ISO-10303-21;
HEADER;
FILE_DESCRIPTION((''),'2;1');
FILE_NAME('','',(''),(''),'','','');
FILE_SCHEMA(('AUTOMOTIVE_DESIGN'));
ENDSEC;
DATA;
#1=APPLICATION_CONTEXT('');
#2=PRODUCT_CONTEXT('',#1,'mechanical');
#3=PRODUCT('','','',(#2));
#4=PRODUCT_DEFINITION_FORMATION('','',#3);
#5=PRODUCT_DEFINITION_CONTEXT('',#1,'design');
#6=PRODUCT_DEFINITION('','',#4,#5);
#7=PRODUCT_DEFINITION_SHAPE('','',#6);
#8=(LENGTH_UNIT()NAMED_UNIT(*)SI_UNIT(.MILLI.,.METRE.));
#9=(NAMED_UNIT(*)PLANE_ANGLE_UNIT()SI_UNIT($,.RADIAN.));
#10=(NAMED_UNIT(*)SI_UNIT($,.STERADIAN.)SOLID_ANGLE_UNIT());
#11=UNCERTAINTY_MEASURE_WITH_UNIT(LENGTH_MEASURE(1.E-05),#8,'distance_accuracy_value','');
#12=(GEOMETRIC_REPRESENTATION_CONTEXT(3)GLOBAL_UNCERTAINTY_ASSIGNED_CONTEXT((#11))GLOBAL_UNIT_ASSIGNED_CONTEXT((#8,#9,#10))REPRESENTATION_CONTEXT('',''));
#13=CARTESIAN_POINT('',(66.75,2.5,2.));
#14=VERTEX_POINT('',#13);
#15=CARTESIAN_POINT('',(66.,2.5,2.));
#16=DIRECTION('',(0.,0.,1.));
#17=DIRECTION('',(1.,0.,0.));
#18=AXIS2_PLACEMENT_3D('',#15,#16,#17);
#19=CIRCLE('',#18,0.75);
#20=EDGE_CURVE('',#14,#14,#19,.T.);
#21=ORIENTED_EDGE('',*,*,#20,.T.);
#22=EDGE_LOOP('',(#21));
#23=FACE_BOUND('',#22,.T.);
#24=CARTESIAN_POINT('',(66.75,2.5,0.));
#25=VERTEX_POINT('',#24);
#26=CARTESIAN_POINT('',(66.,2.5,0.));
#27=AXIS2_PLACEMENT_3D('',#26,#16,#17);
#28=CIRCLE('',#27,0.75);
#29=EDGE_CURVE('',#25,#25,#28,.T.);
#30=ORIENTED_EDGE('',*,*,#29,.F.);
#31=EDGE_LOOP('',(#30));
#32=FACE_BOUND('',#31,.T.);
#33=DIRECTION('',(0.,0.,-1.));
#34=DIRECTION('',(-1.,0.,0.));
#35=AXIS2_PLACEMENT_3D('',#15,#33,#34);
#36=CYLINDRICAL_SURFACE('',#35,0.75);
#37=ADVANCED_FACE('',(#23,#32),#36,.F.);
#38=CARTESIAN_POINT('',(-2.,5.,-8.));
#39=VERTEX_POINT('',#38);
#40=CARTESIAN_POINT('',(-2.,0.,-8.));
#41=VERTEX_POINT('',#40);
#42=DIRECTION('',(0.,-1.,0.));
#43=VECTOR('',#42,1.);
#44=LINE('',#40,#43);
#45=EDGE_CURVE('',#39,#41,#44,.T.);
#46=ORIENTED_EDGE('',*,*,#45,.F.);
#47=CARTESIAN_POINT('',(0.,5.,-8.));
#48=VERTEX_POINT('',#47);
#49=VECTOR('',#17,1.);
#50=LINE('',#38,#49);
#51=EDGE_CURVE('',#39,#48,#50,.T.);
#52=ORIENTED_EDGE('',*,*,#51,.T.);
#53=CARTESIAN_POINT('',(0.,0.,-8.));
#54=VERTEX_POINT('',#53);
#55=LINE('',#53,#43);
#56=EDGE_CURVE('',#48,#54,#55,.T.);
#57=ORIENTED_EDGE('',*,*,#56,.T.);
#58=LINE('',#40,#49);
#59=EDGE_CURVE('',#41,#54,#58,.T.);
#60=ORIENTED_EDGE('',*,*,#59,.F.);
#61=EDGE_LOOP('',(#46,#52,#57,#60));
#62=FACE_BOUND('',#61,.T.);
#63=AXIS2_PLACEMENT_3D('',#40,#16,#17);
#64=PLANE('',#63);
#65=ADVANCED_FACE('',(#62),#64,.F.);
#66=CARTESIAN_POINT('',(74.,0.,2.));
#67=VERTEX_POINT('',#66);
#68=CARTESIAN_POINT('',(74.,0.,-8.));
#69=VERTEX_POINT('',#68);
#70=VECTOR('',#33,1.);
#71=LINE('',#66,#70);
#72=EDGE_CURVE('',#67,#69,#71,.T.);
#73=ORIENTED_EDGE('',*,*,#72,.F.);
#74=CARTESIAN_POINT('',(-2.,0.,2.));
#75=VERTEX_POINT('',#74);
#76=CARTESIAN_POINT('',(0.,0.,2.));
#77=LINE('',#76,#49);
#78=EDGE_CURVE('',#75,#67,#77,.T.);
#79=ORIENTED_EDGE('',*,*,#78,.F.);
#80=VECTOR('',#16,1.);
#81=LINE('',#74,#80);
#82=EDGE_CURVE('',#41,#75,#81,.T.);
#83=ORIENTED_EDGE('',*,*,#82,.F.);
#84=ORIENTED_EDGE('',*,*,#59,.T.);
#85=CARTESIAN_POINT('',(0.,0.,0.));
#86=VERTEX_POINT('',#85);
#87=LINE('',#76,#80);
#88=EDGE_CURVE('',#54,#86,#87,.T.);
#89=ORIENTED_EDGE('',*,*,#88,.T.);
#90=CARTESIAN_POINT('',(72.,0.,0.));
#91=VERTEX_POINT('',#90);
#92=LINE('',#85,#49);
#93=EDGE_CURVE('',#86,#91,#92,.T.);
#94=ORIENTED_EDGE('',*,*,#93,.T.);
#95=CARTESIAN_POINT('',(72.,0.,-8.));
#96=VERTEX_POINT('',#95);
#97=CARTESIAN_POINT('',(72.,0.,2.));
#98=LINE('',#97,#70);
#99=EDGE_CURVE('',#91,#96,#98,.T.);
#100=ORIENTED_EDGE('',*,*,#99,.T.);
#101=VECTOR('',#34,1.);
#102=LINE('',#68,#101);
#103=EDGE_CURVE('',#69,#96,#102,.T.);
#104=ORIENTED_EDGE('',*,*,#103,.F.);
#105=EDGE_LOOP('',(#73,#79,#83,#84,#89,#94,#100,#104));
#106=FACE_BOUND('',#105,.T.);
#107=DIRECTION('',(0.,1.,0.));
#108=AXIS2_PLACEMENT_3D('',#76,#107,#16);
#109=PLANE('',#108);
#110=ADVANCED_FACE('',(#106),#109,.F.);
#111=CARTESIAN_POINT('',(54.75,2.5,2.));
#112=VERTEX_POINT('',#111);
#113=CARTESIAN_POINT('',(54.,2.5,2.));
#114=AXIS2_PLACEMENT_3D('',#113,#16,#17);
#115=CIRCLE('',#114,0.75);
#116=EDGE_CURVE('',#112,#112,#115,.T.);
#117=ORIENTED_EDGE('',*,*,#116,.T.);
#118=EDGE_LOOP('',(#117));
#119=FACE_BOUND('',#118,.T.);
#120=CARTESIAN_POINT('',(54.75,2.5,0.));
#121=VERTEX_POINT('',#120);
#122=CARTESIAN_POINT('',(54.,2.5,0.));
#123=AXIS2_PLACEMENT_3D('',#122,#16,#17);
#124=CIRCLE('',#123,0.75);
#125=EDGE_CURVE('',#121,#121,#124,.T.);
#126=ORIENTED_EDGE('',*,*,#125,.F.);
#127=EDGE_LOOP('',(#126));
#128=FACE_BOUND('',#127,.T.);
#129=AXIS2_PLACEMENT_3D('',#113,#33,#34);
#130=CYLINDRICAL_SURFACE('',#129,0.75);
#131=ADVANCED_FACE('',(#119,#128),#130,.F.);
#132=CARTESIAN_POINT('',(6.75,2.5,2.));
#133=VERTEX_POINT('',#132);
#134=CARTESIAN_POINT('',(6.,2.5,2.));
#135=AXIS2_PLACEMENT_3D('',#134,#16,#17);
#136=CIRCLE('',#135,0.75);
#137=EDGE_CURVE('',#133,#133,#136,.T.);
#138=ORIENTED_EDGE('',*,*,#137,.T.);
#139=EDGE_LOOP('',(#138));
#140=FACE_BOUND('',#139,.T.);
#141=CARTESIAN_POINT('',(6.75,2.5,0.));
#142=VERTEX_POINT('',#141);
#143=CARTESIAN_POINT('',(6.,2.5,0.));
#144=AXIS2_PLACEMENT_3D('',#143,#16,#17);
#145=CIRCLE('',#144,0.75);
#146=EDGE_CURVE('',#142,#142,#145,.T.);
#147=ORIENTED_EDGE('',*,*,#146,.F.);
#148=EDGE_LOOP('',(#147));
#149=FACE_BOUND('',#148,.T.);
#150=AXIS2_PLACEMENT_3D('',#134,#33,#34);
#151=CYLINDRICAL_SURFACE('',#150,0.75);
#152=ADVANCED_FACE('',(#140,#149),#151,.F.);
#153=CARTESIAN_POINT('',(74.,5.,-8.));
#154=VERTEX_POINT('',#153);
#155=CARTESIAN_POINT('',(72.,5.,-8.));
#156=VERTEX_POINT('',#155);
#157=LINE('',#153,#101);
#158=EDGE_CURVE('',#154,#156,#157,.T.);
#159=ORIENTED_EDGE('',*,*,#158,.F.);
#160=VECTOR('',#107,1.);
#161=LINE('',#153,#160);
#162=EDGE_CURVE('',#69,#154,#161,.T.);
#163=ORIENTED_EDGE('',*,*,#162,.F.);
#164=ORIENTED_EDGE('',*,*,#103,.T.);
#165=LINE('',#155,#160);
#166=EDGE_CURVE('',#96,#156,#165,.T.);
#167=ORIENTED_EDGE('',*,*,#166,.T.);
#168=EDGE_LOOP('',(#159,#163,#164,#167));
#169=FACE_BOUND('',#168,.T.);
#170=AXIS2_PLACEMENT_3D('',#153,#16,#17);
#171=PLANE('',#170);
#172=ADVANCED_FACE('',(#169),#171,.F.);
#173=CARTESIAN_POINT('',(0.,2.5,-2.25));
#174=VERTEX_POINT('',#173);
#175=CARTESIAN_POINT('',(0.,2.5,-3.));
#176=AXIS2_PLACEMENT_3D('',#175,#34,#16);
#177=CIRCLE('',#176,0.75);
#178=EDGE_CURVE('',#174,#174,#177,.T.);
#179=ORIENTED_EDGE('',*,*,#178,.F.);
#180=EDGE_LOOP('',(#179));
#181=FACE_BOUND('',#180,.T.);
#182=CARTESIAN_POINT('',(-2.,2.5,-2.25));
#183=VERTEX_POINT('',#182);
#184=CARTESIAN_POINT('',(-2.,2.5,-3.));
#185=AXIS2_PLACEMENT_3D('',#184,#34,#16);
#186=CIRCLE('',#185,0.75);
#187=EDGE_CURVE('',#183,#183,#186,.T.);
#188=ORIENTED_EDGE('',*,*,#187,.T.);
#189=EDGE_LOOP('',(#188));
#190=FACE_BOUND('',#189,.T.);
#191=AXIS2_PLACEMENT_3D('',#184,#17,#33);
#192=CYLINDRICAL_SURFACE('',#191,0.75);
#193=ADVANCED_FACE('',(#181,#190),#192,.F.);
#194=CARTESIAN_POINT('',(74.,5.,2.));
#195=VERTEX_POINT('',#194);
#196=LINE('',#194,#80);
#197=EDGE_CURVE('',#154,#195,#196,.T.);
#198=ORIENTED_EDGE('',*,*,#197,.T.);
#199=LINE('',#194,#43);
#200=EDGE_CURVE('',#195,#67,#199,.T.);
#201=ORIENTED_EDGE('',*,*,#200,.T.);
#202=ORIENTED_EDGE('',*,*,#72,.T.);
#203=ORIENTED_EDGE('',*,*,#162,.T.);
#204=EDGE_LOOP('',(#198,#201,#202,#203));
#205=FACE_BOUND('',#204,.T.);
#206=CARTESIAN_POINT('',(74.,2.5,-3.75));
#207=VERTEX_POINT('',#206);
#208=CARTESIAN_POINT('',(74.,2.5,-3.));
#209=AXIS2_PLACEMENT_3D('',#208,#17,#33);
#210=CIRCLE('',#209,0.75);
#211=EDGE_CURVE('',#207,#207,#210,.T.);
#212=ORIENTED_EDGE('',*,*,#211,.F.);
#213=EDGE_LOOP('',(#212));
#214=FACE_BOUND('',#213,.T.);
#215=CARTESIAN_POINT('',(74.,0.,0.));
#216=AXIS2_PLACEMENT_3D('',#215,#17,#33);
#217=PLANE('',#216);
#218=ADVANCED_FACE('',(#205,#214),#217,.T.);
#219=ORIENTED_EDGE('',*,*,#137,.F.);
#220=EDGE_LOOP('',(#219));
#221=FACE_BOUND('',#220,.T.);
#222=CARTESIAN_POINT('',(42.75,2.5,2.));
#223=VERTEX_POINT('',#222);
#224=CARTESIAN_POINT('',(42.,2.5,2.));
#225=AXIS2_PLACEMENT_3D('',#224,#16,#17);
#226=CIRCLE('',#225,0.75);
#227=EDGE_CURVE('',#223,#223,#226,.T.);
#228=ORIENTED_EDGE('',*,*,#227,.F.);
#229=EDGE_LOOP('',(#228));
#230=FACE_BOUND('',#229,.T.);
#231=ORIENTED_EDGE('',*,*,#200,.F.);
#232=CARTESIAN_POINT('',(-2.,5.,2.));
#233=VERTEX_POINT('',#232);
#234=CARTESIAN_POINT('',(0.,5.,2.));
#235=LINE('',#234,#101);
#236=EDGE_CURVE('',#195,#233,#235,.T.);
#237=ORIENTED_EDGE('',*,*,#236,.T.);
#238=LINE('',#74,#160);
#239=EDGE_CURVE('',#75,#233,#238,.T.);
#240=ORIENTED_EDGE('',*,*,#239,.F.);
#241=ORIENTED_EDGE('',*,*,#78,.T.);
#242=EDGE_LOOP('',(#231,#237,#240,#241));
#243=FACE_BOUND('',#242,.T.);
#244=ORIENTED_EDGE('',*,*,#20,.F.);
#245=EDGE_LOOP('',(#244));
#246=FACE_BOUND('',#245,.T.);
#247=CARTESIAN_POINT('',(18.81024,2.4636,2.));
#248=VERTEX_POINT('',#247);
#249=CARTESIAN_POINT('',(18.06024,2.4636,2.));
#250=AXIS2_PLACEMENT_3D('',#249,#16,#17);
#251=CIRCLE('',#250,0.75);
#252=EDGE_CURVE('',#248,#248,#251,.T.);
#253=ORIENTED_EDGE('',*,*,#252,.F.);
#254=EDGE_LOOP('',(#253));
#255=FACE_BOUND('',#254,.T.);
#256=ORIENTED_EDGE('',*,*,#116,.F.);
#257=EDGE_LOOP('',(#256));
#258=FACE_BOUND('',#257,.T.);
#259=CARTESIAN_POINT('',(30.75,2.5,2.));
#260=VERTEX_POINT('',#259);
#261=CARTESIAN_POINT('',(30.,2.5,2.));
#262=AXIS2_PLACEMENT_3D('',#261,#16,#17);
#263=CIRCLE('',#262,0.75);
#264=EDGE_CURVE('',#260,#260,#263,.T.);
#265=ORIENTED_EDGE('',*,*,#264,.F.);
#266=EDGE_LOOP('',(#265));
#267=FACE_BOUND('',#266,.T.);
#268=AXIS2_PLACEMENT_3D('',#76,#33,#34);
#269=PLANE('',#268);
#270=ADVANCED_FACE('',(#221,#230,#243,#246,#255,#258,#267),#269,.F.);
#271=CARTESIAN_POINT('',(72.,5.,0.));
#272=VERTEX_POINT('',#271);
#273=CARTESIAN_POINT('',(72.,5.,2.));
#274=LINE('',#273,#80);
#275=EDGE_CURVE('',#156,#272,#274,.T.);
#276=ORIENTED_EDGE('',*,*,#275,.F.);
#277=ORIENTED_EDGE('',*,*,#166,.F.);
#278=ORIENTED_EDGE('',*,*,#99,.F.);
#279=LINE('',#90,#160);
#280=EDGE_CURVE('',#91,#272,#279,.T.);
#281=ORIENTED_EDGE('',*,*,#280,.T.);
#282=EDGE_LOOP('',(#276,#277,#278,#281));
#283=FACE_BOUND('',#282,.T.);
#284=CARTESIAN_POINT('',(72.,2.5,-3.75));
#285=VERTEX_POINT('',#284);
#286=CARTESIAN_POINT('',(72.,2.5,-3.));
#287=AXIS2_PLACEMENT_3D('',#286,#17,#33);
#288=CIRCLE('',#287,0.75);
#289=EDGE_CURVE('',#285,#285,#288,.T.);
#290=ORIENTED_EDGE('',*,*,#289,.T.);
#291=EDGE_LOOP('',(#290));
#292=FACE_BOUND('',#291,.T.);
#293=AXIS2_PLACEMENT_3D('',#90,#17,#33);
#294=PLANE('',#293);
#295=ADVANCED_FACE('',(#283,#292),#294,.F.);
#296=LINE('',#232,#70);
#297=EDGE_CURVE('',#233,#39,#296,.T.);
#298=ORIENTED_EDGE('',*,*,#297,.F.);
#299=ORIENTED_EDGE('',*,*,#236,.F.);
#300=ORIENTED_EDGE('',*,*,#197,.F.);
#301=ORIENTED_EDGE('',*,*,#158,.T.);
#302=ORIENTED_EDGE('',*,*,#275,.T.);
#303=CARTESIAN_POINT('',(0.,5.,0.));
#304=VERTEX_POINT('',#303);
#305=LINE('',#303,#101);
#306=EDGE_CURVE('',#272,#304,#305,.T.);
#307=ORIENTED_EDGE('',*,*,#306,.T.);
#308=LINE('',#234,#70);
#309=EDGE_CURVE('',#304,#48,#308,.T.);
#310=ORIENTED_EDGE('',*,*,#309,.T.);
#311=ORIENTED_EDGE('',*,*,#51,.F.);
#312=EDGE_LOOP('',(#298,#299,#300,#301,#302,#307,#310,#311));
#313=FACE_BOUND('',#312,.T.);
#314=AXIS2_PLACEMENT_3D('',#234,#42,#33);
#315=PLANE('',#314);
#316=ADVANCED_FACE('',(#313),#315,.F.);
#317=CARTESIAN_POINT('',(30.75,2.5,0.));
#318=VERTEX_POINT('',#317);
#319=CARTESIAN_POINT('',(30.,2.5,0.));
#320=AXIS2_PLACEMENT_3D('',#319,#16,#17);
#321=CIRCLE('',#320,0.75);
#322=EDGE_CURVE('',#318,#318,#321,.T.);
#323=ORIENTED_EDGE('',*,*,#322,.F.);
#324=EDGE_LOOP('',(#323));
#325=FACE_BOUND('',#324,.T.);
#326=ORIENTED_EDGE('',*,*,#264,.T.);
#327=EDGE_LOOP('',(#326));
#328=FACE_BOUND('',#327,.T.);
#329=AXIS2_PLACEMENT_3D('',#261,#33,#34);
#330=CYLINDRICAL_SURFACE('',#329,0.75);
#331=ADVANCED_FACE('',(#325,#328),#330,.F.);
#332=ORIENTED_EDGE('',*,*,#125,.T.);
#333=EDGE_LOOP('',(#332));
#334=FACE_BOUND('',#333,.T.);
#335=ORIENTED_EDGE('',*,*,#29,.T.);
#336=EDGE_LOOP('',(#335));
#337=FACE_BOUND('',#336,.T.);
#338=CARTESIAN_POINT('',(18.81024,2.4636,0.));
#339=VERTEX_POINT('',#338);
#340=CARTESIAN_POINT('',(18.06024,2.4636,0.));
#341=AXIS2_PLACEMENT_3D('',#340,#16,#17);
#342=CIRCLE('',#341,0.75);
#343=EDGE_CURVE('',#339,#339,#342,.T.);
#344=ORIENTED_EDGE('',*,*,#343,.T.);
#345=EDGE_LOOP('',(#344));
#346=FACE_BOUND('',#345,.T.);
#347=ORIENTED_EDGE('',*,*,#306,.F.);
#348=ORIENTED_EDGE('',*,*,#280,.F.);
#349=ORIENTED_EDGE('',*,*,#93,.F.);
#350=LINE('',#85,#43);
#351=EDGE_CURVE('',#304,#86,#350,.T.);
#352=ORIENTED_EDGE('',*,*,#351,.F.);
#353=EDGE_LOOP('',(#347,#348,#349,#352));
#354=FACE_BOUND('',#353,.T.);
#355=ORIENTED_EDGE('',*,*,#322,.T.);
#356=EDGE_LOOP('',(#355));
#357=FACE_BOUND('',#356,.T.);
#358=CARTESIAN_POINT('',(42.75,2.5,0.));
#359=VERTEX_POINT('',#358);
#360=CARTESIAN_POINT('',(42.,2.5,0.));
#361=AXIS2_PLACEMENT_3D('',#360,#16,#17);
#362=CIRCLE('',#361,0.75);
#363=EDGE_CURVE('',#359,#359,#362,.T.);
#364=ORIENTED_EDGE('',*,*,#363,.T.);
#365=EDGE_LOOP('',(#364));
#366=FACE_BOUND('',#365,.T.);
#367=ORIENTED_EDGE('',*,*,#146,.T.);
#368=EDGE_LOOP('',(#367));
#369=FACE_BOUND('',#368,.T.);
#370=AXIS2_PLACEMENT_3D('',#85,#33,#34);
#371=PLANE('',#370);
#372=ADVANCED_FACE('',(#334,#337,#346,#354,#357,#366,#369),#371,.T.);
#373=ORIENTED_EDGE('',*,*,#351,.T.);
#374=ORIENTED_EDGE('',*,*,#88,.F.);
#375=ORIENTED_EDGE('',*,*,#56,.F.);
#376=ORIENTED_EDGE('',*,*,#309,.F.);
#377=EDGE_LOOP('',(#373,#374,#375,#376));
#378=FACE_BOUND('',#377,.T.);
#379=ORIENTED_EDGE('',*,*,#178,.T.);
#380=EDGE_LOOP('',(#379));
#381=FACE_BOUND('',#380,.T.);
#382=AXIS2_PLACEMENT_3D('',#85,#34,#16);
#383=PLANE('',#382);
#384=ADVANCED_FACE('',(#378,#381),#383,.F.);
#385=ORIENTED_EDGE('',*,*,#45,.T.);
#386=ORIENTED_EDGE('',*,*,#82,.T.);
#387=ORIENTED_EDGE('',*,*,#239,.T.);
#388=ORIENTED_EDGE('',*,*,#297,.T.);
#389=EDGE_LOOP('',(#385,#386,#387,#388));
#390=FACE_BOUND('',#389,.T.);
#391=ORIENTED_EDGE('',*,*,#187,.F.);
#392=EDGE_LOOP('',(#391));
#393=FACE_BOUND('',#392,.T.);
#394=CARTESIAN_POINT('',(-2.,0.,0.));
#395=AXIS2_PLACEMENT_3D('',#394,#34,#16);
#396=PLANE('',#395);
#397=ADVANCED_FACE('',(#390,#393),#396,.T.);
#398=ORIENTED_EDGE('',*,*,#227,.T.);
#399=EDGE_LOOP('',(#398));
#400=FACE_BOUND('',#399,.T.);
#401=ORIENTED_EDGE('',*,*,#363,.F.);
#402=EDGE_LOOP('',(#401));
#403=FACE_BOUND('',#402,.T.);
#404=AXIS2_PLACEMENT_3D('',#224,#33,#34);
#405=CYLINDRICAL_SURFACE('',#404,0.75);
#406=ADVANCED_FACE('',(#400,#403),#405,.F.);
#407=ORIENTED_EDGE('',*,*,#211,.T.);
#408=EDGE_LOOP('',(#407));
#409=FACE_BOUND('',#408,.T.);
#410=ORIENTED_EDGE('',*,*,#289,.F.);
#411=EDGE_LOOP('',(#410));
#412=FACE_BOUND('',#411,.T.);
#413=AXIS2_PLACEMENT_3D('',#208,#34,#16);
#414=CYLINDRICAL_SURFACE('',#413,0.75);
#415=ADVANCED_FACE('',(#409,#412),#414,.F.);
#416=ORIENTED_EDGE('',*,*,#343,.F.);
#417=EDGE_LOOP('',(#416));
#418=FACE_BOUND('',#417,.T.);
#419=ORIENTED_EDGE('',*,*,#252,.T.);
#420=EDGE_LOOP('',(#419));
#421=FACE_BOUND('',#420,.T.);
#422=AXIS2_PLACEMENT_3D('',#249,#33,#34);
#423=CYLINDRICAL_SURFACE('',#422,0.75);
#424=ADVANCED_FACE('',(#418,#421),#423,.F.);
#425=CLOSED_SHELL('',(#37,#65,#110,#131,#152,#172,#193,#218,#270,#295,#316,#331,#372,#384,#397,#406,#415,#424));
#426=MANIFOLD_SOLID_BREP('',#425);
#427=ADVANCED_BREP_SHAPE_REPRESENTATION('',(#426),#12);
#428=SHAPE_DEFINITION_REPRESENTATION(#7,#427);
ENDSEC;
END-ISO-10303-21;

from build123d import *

# Parameters (mm, degrees)
SKETCH1_W           = 72
SKETCH1_H           = 5
BOSS_EXTRUDE1_DEPTH = 2
SKETCH3_R           = 0.75
CUT_EXTRUDE2_DEPTH  = 2
SKETCH4_W           = 10
SKETCH4_H           = 5
BOSS_EXTRUDE2_DEPTH = 2
SKETCH5_R           = 0.75
CUT_EXTRUDE4_DEPTH  = 2
SKETCH6_W           = 10
SKETCH6_H           = 5
BOSS_EXTRUDE3_DEPTH = 2
SKETCH7_R           = 0.75
CUT_EXTRUDE5_DEPTH  = 2


with BuildPart() as part:
    # Sketch1 → Boss-Extrude1 (new body)
    with BuildSketch(Plane.XY):
        with Locations((36, 2.5)):
            Rectangle(SKETCH1_W, SKETCH1_H)
    extrude(amount=BOSS_EXTRUDE1_DEPTH)

    # Sketch3 → Cut-Extrude2 (cut)
    with BuildSketch(Plane.XY):
        with Locations((42, 2.5)):
            Circle(SKETCH3_R)
        with Locations((54, 2.5)):
            Circle(SKETCH3_R)
        with Locations((66, 2.5)):
            Circle(SKETCH3_R)
        with Locations((30, 2.5)):
            Circle(SKETCH3_R)
        with Locations((18.06024044, 2.463599586)):
            Circle(SKETCH3_R)
        with Locations((6, 2.5)):
            Circle(SKETCH3_R)
    extrude(amount=CUT_EXTRUDE2_DEPTH, mode=Mode.SUBTRACT)

    # Sketch4 → Boss-Extrude2 (add)
    with BuildSketch(Plane(origin=(72, 0, 0), x_dir=(0, 0, -1), z_dir=(1, 0, 0))):
        with Locations((3, 2.5)):
            Rectangle(SKETCH4_W, SKETCH4_H)
    extrude(amount=BOSS_EXTRUDE2_DEPTH)

    # Sketch5 → Cut-Extrude4 (cut)
    with BuildSketch(Plane(origin=(72, 0, 0), x_dir=(0, 0, -1), z_dir=(1, 0, 0))):
        with Locations((3, 2.5)):
            Circle(SKETCH5_R)
    extrude(amount=CUT_EXTRUDE4_DEPTH, mode=Mode.SUBTRACT)

    # Sketch6 → Boss-Extrude3 (add)
    with BuildSketch(Plane.ZY):
        with Locations((-3, 2.5)):
            Rectangle(SKETCH6_W, SKETCH6_H)
    extrude(amount=BOSS_EXTRUDE3_DEPTH)

    # Sketch7 → Cut-Extrude5 (cut)
    with BuildSketch(Plane.ZY):
        with Locations((-3, 2.5)):
            Circle(SKETCH7_R)
    extrude(amount=CUT_EXTRUDE5_DEPTH, mode=Mode.SUBTRACT)


solid = part.part
